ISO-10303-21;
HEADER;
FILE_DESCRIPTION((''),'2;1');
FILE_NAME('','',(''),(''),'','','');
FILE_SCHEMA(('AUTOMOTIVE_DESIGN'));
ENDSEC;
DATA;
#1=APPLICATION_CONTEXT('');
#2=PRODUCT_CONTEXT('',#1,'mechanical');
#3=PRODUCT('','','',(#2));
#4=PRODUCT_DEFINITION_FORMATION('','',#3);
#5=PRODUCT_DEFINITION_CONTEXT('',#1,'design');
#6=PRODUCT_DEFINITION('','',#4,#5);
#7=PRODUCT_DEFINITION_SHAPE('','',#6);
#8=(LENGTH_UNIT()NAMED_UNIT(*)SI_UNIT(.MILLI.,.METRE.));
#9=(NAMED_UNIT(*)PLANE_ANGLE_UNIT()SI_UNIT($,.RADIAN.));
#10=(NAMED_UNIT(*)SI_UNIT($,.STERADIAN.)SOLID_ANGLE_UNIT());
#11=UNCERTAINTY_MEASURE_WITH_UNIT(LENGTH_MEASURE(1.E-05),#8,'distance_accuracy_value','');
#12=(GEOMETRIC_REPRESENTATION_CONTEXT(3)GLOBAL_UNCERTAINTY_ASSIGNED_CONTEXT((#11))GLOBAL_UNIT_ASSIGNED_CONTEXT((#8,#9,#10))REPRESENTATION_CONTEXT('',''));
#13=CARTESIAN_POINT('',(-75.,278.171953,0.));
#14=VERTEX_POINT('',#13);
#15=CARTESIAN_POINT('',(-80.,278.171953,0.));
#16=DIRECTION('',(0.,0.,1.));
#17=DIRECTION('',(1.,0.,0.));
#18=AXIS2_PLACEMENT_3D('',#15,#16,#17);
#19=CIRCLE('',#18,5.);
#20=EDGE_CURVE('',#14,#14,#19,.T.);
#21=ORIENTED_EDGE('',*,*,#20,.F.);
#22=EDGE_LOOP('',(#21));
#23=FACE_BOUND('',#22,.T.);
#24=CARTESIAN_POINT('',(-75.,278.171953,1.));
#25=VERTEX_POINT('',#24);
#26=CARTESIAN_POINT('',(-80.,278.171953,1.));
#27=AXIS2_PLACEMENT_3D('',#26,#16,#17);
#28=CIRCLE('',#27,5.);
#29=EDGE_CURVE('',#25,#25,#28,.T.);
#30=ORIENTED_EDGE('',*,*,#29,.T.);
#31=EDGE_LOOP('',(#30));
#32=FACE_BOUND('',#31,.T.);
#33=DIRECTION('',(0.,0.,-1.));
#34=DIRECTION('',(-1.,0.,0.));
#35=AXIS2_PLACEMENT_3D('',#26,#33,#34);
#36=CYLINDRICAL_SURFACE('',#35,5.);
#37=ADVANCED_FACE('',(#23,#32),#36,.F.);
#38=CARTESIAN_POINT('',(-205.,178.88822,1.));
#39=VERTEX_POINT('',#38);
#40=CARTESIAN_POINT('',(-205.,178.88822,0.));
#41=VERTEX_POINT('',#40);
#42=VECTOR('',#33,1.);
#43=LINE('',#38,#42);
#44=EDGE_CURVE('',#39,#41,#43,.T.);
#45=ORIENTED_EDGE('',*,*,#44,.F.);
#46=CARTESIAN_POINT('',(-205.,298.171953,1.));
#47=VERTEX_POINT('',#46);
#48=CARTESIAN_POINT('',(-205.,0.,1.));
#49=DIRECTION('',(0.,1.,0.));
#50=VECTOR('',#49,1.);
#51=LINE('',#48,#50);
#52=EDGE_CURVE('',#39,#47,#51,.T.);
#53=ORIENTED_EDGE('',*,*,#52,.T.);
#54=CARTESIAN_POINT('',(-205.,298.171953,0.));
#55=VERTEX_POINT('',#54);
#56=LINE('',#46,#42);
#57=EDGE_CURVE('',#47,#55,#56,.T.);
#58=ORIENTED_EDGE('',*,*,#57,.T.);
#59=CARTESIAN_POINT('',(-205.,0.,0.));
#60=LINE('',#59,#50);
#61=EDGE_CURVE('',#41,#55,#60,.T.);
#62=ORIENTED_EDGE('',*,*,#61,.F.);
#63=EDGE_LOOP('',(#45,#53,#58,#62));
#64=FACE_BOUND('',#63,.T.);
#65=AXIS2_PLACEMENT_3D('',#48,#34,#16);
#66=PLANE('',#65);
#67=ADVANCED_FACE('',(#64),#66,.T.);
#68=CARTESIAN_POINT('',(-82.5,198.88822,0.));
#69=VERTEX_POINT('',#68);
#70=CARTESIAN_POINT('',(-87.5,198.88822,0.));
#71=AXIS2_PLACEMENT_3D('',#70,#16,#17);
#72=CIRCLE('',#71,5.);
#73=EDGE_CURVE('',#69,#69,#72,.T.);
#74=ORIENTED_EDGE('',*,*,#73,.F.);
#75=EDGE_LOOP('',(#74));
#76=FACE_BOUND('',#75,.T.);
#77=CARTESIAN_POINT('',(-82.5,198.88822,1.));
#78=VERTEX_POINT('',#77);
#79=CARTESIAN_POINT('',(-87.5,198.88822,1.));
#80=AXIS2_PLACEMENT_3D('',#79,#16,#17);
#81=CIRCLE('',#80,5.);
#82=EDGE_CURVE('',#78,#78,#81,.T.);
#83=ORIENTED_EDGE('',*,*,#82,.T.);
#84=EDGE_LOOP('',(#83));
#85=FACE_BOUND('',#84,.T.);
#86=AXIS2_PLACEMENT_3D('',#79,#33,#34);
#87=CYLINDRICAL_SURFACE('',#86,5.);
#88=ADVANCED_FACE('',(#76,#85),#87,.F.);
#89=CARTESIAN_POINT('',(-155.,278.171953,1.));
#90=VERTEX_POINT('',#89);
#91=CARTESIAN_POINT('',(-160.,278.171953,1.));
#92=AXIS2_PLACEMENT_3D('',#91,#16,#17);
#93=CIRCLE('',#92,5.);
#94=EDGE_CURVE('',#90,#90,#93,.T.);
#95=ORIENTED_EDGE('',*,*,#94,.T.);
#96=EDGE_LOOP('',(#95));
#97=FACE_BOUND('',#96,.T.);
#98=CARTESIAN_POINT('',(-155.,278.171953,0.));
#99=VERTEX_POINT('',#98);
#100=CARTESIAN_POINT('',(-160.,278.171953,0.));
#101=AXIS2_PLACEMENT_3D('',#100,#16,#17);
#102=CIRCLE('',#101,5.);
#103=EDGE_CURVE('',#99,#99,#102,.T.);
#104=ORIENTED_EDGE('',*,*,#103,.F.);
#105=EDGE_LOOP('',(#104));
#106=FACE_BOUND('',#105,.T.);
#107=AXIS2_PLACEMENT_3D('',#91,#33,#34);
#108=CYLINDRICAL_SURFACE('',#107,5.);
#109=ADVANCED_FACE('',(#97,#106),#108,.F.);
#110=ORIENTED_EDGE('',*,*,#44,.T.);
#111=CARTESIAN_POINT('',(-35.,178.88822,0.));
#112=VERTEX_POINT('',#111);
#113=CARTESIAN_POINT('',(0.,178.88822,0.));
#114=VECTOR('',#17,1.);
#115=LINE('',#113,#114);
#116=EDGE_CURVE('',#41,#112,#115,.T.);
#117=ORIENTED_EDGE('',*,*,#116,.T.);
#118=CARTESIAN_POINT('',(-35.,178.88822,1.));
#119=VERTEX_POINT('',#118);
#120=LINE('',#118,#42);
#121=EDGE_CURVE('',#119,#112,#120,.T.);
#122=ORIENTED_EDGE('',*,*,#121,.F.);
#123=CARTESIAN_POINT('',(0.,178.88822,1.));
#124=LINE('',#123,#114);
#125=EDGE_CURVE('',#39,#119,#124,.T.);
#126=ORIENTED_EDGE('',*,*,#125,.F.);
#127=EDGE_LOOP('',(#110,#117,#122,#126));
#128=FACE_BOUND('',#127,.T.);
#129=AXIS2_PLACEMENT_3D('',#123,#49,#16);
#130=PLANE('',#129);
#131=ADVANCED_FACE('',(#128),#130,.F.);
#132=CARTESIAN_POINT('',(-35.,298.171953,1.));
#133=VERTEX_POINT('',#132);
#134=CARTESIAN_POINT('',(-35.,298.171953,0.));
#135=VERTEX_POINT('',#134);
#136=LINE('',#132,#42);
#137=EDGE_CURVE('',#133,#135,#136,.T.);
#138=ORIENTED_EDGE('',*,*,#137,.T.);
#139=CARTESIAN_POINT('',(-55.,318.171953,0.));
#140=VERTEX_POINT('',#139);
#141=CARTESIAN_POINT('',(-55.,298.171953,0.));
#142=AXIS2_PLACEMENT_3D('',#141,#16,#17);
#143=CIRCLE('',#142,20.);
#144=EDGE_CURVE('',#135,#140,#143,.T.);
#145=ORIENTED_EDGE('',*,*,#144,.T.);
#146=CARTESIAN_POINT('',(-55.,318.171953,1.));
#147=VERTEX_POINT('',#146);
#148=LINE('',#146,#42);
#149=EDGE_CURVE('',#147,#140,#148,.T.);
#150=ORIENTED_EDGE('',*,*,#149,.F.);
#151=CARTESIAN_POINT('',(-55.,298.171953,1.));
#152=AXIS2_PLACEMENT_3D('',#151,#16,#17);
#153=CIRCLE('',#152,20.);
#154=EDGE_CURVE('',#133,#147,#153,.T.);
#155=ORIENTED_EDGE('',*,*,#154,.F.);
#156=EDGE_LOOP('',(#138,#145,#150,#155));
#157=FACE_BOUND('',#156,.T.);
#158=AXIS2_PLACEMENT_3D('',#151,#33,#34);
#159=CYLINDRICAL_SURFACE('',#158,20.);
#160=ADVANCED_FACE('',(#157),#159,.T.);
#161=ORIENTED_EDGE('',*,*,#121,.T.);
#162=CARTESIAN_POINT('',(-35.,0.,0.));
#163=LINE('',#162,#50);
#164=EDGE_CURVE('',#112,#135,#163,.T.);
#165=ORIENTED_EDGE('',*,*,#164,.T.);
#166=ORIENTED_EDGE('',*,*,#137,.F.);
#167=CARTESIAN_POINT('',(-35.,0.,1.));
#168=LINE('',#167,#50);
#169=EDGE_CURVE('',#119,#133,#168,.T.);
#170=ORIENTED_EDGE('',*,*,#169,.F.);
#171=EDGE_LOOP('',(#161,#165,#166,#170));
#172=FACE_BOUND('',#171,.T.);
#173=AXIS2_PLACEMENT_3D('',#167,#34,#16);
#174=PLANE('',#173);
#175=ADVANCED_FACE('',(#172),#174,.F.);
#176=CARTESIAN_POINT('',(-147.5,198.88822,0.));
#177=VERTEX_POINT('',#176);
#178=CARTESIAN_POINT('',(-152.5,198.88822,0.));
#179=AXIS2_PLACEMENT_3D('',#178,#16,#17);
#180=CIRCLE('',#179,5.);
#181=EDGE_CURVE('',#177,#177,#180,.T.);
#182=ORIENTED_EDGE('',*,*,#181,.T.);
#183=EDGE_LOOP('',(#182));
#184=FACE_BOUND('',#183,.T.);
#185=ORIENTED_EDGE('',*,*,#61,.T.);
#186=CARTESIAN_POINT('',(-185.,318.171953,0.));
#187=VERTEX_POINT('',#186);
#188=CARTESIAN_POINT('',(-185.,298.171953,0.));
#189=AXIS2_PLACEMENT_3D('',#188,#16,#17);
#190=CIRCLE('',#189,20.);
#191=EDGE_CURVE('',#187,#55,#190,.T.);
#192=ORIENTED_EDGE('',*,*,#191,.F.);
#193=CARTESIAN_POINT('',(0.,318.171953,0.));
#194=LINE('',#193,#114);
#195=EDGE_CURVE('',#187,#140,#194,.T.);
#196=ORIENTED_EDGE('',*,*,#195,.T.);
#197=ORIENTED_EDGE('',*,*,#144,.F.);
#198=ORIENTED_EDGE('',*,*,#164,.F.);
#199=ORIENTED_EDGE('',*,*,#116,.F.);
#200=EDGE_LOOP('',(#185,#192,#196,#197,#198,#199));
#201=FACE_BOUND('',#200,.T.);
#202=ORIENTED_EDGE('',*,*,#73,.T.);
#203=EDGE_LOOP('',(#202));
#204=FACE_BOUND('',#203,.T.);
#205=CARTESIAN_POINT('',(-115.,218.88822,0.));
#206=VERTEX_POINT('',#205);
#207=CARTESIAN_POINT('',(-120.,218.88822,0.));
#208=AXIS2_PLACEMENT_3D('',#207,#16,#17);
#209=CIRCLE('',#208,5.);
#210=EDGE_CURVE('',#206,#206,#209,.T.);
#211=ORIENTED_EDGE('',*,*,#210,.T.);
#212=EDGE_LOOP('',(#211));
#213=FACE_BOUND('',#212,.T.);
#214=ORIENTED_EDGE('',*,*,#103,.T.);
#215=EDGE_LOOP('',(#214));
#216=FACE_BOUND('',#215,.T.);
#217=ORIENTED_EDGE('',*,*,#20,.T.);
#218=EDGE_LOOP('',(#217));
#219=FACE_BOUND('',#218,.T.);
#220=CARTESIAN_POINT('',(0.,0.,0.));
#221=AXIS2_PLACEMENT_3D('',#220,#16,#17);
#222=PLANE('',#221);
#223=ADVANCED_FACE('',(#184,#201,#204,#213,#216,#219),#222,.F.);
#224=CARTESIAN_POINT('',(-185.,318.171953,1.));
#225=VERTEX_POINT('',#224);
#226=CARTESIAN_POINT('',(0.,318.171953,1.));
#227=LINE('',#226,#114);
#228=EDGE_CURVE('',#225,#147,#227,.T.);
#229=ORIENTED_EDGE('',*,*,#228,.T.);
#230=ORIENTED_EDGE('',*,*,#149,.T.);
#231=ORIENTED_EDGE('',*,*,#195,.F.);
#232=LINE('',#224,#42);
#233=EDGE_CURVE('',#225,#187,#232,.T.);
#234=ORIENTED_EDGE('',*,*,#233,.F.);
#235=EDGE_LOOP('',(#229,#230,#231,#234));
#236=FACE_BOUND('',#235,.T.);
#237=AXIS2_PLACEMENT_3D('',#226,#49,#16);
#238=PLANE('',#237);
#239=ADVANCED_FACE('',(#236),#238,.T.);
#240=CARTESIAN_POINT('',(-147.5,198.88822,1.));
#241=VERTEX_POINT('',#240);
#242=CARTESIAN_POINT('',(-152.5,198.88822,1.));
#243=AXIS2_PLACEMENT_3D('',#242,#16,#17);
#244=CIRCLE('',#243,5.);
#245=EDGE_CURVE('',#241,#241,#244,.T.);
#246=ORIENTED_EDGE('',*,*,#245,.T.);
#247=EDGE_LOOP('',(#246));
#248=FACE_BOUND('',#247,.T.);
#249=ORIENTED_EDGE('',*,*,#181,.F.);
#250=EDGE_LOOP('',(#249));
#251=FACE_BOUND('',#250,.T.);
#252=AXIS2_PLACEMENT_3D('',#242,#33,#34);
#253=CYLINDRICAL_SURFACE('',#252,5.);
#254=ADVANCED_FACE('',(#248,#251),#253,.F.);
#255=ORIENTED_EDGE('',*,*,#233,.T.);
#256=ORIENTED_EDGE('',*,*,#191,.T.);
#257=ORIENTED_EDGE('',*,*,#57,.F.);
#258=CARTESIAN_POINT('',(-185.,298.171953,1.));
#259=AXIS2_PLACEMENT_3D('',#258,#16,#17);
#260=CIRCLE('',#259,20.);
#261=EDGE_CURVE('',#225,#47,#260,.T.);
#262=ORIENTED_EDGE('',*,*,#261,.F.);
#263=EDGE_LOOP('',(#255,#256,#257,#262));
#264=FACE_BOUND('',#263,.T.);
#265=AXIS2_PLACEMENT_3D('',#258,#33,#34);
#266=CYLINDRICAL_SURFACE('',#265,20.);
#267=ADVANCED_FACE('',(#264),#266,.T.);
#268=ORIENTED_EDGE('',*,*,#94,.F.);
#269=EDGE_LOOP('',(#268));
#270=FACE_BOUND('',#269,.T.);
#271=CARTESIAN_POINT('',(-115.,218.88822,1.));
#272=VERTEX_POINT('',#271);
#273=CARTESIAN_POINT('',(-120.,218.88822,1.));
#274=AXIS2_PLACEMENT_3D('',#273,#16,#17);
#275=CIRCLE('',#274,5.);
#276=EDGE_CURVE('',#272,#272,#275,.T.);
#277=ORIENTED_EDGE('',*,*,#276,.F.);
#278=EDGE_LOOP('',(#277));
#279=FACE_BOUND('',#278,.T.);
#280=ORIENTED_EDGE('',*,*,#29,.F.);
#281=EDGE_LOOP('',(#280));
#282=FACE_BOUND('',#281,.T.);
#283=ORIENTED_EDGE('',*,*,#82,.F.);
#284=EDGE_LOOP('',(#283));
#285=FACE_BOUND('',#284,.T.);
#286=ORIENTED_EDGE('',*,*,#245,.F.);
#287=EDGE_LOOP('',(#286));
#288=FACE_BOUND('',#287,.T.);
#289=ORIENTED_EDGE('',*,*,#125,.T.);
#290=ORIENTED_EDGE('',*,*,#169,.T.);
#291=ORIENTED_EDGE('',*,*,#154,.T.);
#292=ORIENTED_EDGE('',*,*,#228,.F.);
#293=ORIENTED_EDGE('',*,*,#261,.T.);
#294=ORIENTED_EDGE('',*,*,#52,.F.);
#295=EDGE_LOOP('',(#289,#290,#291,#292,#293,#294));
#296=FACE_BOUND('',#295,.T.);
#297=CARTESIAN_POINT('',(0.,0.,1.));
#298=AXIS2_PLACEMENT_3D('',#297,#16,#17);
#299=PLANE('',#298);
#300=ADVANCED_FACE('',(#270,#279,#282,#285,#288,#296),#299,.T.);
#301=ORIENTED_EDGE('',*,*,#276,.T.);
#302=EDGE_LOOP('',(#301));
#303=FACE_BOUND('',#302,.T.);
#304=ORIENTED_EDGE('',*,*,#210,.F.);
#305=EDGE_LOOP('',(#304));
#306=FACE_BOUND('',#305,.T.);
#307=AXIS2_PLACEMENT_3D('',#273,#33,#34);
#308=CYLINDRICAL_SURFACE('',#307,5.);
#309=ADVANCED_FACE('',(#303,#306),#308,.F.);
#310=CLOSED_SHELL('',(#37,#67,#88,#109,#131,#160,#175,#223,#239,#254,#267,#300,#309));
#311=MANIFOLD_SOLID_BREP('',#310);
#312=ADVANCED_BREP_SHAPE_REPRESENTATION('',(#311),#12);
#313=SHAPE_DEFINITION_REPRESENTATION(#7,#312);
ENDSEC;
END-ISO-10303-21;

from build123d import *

# Parameters (mm, degrees)
ESBO_O1_R                = 5
RESSALTO_EXTRUS_O1_DEPTH = 1


with BuildPart() as part:
    # Esboço1 → Ressalto-extrusão1 (new body)
    with BuildSketch(Plane.XY):
        with BuildLine():
            Line((-87.5, 318.171952776), (-120, 318.171952776))
            Line((-120, 318.171952776), (-152.5, 318.171952776))
            Line((-152.5, 318.171952776), (-185, 318.171952776))
            ThreePointArc((-185, 318.171952776), (-199.142135624, 312.3140884), (-205, 298.171952776))
            Line((-205, 298.171952776), (-205, 178.888220282))
            Line((-205, 178.888220282), (-35, 178.888220282))
            Line((-35, 178.888220282), (-35, 298.171952776))
            ThreePointArc((-35, 298.171952776), (-40.857864376, 312.3140884), (-55, 318.171952776))
            Line((-55, 318.171952776), (-87.5, 318.171952776))
        make_face()
        with Locations((-152.5, 198.888220282)):
            Circle(ESBO_O1_R, mode=Mode.SUBTRACT)
        with Locations((-87.5, 198.888220282)):
            Circle(ESBO_O1_R, mode=Mode.SUBTRACT)
        with Locations((-120, 218.888220282)):
            Circle(ESBO_O1_R, mode=Mode.SUBTRACT)
        with Locations((-160, 278.171952776)):
            Circle(ESBO_O1_R, mode=Mode.SUBTRACT)
        with Locations((-80, 278.171952776)):
            Circle(ESBO_O1_R, mode=Mode.SUBTRACT)
    extrude(amount=RESSALTO_EXTRUS_O1_DEPTH)


solid = part.part
